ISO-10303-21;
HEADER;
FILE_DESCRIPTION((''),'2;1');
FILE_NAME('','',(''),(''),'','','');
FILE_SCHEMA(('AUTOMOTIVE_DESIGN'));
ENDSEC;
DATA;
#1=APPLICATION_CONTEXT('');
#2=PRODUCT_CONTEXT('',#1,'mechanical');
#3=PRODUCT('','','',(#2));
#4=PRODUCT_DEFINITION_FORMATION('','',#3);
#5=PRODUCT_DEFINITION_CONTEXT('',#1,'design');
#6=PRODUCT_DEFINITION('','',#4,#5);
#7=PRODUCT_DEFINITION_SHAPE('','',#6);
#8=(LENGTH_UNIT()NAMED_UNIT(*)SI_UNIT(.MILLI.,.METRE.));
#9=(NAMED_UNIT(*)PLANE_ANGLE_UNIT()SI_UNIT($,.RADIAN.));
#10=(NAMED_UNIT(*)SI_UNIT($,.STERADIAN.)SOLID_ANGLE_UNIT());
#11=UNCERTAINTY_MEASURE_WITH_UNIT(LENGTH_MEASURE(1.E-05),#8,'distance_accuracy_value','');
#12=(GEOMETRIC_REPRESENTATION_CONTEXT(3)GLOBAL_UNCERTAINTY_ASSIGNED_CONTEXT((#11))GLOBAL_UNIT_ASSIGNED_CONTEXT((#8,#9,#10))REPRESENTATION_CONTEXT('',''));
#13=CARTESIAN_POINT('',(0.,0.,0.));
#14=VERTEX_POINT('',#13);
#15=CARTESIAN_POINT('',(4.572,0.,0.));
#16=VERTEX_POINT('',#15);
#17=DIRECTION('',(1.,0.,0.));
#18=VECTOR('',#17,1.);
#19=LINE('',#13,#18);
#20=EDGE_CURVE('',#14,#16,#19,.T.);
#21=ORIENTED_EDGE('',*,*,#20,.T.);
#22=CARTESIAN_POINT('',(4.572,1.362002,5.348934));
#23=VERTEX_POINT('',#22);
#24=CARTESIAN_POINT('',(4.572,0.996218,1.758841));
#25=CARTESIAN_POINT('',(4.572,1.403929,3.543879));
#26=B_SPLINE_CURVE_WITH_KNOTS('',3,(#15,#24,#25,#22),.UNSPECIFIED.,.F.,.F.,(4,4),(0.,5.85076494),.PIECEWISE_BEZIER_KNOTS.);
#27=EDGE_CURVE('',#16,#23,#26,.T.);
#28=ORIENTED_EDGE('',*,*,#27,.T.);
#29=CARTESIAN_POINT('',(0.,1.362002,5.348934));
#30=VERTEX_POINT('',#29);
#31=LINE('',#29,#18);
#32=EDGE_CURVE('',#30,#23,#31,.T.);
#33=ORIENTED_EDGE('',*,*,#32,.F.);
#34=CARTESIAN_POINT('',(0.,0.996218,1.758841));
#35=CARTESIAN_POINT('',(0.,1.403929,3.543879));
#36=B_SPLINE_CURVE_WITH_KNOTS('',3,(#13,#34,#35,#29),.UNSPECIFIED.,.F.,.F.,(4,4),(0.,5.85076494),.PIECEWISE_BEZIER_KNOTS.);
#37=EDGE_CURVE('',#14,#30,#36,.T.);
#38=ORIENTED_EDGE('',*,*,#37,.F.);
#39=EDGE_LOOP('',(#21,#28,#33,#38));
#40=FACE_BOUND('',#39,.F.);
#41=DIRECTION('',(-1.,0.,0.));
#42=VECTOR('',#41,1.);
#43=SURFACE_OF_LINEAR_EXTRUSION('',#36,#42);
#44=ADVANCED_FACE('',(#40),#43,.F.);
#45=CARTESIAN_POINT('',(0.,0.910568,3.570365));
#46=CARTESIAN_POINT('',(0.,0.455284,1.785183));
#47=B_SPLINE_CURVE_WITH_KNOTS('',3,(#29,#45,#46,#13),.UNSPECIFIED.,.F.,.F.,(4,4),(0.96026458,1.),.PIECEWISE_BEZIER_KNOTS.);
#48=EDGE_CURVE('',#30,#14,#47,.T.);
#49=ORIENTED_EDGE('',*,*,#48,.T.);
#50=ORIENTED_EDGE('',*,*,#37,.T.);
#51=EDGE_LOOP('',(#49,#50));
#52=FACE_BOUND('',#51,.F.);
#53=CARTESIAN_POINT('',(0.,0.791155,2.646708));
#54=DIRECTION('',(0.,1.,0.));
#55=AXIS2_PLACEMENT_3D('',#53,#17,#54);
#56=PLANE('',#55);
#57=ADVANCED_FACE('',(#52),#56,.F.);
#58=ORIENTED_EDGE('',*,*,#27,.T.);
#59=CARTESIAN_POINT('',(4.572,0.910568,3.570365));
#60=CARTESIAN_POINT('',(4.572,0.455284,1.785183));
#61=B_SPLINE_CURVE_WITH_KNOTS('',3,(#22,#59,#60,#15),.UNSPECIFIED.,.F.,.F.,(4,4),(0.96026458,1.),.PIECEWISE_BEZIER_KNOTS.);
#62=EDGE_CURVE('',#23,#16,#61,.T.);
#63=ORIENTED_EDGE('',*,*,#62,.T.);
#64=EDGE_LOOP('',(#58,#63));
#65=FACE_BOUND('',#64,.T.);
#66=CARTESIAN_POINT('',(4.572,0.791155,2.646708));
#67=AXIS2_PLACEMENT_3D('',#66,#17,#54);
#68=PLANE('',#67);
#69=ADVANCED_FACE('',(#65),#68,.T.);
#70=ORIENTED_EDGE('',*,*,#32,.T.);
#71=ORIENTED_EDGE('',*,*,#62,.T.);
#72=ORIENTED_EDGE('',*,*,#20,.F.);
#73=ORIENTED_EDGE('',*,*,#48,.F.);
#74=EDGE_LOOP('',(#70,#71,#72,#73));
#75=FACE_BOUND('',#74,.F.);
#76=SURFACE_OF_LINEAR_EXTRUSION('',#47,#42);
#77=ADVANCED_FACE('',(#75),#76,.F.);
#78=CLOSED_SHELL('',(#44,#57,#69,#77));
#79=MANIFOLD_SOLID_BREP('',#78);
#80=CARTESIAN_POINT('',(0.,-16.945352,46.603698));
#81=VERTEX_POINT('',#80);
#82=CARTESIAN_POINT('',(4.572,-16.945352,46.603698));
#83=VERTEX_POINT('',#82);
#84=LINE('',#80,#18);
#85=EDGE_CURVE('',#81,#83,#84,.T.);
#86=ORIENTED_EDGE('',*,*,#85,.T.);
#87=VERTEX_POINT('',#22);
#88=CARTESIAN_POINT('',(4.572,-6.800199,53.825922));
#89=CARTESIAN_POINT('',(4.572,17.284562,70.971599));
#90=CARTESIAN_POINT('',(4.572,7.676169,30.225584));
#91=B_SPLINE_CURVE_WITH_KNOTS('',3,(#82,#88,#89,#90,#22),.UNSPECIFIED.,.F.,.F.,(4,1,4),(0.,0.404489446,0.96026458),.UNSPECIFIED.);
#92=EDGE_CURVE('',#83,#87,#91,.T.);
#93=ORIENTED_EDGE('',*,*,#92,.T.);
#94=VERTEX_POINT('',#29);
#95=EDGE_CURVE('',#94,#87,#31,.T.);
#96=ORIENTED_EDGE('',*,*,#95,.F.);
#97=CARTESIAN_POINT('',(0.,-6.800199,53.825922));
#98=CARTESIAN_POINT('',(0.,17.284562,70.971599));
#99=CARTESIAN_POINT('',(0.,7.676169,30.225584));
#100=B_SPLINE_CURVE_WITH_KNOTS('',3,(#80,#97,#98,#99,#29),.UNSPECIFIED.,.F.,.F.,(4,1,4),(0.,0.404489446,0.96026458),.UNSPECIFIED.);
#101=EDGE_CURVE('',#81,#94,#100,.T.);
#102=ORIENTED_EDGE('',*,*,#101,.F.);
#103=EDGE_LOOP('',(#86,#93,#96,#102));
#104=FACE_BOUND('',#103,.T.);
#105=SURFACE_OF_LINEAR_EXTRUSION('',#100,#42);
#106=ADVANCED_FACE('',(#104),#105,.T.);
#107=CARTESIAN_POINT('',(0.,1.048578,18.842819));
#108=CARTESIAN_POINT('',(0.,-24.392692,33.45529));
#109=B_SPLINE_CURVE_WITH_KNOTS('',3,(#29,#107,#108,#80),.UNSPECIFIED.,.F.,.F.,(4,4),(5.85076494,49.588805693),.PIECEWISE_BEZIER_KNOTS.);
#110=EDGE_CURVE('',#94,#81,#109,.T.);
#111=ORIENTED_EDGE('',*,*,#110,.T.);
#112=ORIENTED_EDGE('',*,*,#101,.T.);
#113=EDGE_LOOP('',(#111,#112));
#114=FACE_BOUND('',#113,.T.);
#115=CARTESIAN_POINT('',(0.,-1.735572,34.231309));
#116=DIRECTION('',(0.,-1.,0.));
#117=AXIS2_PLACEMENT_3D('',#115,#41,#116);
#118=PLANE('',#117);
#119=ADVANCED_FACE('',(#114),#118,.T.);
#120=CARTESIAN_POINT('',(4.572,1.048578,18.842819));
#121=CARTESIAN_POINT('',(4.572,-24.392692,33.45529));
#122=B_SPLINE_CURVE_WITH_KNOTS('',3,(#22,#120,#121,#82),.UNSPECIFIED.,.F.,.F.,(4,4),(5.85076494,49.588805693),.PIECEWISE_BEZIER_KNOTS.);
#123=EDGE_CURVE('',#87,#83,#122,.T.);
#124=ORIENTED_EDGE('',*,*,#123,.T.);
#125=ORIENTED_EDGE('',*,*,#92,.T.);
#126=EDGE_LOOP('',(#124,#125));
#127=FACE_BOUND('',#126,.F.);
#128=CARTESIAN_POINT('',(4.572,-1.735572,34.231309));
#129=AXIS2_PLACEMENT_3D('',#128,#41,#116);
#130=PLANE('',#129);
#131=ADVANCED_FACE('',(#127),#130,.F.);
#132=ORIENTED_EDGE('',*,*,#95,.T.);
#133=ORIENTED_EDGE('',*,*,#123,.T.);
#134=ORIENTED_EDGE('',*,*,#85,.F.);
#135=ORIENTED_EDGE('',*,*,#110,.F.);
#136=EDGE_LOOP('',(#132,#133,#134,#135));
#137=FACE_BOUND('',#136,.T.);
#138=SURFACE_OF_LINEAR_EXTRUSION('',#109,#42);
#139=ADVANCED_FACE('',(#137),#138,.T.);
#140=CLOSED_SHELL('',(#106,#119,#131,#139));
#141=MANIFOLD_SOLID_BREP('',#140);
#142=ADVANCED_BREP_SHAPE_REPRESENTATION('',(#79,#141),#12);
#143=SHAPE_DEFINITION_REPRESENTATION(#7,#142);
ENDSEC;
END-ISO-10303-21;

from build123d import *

# Parameters (mm, degrees)
F1_DEPTH = 4.572


with BuildPart() as f1:
    # F0 (on Right) → F1 (new body)
    with BuildSketch(Plane.YZ):
        with BuildLine():
            add(Edge.make_bspline(
                [(1.3620024716, 5.3489339752), (0.910567978, 3.570365461), (0.455283989, 1.7851827305), (0, 0)],
                knots=[0.9602645799, 0.9602645799, 0.9602645799, 0.9602645799, 1, 1, 1, 1], degree=3))
            add(Edge.make_bspline(
                [(0, 0), (0.996218244, 1.7588407678), (1.4039287781, 3.5438794073), (1.3620024716, 5.3489339752)],
                knots=[0, 0, 0, 0, 5.8507649402, 5.8507649402, 5.8507649402, 5.8507649402], degree=3))
        make_face()
    extrude(amount=F1_DEPTH)


with BuildPart() as f1b:
    # F0 (on Right) → F1, piece 2 (new body)
    with BuildSketch(Plane.YZ):
        with BuildLine():
            add(Edge.make_bspline(
                [(1.3620024716, 5.3489339752), (1.0485777282, 18.8428191444), (-24.3926915703, 33.4552895685), (-16.9453518465, 46.6036983607)],
                knots=[5.8507649402, 5.8507649402, 5.8507649402, 5.8507649402, 49.5888056934, 49.5888056934, 49.5888056934, 49.5888056934], degree=3))
            add(Edge.make_bspline(
                [(-16.9453518465, 46.6036983607), (-6.800198517, 53.8259219332), (17.2845618837, 70.9715991502), (7.676169153, 30.2255843232), (1.3620024716, 5.3489339752)],
                knots=[0, 0, 0, 0, 0.4044894463, 0.9602645799, 0.9602645799, 0.9602645799, 0.9602645799], degree=3))
        make_face()
    extrude(amount=F1_DEPTH)


solid = Compound([f1.part, f1b.part])
